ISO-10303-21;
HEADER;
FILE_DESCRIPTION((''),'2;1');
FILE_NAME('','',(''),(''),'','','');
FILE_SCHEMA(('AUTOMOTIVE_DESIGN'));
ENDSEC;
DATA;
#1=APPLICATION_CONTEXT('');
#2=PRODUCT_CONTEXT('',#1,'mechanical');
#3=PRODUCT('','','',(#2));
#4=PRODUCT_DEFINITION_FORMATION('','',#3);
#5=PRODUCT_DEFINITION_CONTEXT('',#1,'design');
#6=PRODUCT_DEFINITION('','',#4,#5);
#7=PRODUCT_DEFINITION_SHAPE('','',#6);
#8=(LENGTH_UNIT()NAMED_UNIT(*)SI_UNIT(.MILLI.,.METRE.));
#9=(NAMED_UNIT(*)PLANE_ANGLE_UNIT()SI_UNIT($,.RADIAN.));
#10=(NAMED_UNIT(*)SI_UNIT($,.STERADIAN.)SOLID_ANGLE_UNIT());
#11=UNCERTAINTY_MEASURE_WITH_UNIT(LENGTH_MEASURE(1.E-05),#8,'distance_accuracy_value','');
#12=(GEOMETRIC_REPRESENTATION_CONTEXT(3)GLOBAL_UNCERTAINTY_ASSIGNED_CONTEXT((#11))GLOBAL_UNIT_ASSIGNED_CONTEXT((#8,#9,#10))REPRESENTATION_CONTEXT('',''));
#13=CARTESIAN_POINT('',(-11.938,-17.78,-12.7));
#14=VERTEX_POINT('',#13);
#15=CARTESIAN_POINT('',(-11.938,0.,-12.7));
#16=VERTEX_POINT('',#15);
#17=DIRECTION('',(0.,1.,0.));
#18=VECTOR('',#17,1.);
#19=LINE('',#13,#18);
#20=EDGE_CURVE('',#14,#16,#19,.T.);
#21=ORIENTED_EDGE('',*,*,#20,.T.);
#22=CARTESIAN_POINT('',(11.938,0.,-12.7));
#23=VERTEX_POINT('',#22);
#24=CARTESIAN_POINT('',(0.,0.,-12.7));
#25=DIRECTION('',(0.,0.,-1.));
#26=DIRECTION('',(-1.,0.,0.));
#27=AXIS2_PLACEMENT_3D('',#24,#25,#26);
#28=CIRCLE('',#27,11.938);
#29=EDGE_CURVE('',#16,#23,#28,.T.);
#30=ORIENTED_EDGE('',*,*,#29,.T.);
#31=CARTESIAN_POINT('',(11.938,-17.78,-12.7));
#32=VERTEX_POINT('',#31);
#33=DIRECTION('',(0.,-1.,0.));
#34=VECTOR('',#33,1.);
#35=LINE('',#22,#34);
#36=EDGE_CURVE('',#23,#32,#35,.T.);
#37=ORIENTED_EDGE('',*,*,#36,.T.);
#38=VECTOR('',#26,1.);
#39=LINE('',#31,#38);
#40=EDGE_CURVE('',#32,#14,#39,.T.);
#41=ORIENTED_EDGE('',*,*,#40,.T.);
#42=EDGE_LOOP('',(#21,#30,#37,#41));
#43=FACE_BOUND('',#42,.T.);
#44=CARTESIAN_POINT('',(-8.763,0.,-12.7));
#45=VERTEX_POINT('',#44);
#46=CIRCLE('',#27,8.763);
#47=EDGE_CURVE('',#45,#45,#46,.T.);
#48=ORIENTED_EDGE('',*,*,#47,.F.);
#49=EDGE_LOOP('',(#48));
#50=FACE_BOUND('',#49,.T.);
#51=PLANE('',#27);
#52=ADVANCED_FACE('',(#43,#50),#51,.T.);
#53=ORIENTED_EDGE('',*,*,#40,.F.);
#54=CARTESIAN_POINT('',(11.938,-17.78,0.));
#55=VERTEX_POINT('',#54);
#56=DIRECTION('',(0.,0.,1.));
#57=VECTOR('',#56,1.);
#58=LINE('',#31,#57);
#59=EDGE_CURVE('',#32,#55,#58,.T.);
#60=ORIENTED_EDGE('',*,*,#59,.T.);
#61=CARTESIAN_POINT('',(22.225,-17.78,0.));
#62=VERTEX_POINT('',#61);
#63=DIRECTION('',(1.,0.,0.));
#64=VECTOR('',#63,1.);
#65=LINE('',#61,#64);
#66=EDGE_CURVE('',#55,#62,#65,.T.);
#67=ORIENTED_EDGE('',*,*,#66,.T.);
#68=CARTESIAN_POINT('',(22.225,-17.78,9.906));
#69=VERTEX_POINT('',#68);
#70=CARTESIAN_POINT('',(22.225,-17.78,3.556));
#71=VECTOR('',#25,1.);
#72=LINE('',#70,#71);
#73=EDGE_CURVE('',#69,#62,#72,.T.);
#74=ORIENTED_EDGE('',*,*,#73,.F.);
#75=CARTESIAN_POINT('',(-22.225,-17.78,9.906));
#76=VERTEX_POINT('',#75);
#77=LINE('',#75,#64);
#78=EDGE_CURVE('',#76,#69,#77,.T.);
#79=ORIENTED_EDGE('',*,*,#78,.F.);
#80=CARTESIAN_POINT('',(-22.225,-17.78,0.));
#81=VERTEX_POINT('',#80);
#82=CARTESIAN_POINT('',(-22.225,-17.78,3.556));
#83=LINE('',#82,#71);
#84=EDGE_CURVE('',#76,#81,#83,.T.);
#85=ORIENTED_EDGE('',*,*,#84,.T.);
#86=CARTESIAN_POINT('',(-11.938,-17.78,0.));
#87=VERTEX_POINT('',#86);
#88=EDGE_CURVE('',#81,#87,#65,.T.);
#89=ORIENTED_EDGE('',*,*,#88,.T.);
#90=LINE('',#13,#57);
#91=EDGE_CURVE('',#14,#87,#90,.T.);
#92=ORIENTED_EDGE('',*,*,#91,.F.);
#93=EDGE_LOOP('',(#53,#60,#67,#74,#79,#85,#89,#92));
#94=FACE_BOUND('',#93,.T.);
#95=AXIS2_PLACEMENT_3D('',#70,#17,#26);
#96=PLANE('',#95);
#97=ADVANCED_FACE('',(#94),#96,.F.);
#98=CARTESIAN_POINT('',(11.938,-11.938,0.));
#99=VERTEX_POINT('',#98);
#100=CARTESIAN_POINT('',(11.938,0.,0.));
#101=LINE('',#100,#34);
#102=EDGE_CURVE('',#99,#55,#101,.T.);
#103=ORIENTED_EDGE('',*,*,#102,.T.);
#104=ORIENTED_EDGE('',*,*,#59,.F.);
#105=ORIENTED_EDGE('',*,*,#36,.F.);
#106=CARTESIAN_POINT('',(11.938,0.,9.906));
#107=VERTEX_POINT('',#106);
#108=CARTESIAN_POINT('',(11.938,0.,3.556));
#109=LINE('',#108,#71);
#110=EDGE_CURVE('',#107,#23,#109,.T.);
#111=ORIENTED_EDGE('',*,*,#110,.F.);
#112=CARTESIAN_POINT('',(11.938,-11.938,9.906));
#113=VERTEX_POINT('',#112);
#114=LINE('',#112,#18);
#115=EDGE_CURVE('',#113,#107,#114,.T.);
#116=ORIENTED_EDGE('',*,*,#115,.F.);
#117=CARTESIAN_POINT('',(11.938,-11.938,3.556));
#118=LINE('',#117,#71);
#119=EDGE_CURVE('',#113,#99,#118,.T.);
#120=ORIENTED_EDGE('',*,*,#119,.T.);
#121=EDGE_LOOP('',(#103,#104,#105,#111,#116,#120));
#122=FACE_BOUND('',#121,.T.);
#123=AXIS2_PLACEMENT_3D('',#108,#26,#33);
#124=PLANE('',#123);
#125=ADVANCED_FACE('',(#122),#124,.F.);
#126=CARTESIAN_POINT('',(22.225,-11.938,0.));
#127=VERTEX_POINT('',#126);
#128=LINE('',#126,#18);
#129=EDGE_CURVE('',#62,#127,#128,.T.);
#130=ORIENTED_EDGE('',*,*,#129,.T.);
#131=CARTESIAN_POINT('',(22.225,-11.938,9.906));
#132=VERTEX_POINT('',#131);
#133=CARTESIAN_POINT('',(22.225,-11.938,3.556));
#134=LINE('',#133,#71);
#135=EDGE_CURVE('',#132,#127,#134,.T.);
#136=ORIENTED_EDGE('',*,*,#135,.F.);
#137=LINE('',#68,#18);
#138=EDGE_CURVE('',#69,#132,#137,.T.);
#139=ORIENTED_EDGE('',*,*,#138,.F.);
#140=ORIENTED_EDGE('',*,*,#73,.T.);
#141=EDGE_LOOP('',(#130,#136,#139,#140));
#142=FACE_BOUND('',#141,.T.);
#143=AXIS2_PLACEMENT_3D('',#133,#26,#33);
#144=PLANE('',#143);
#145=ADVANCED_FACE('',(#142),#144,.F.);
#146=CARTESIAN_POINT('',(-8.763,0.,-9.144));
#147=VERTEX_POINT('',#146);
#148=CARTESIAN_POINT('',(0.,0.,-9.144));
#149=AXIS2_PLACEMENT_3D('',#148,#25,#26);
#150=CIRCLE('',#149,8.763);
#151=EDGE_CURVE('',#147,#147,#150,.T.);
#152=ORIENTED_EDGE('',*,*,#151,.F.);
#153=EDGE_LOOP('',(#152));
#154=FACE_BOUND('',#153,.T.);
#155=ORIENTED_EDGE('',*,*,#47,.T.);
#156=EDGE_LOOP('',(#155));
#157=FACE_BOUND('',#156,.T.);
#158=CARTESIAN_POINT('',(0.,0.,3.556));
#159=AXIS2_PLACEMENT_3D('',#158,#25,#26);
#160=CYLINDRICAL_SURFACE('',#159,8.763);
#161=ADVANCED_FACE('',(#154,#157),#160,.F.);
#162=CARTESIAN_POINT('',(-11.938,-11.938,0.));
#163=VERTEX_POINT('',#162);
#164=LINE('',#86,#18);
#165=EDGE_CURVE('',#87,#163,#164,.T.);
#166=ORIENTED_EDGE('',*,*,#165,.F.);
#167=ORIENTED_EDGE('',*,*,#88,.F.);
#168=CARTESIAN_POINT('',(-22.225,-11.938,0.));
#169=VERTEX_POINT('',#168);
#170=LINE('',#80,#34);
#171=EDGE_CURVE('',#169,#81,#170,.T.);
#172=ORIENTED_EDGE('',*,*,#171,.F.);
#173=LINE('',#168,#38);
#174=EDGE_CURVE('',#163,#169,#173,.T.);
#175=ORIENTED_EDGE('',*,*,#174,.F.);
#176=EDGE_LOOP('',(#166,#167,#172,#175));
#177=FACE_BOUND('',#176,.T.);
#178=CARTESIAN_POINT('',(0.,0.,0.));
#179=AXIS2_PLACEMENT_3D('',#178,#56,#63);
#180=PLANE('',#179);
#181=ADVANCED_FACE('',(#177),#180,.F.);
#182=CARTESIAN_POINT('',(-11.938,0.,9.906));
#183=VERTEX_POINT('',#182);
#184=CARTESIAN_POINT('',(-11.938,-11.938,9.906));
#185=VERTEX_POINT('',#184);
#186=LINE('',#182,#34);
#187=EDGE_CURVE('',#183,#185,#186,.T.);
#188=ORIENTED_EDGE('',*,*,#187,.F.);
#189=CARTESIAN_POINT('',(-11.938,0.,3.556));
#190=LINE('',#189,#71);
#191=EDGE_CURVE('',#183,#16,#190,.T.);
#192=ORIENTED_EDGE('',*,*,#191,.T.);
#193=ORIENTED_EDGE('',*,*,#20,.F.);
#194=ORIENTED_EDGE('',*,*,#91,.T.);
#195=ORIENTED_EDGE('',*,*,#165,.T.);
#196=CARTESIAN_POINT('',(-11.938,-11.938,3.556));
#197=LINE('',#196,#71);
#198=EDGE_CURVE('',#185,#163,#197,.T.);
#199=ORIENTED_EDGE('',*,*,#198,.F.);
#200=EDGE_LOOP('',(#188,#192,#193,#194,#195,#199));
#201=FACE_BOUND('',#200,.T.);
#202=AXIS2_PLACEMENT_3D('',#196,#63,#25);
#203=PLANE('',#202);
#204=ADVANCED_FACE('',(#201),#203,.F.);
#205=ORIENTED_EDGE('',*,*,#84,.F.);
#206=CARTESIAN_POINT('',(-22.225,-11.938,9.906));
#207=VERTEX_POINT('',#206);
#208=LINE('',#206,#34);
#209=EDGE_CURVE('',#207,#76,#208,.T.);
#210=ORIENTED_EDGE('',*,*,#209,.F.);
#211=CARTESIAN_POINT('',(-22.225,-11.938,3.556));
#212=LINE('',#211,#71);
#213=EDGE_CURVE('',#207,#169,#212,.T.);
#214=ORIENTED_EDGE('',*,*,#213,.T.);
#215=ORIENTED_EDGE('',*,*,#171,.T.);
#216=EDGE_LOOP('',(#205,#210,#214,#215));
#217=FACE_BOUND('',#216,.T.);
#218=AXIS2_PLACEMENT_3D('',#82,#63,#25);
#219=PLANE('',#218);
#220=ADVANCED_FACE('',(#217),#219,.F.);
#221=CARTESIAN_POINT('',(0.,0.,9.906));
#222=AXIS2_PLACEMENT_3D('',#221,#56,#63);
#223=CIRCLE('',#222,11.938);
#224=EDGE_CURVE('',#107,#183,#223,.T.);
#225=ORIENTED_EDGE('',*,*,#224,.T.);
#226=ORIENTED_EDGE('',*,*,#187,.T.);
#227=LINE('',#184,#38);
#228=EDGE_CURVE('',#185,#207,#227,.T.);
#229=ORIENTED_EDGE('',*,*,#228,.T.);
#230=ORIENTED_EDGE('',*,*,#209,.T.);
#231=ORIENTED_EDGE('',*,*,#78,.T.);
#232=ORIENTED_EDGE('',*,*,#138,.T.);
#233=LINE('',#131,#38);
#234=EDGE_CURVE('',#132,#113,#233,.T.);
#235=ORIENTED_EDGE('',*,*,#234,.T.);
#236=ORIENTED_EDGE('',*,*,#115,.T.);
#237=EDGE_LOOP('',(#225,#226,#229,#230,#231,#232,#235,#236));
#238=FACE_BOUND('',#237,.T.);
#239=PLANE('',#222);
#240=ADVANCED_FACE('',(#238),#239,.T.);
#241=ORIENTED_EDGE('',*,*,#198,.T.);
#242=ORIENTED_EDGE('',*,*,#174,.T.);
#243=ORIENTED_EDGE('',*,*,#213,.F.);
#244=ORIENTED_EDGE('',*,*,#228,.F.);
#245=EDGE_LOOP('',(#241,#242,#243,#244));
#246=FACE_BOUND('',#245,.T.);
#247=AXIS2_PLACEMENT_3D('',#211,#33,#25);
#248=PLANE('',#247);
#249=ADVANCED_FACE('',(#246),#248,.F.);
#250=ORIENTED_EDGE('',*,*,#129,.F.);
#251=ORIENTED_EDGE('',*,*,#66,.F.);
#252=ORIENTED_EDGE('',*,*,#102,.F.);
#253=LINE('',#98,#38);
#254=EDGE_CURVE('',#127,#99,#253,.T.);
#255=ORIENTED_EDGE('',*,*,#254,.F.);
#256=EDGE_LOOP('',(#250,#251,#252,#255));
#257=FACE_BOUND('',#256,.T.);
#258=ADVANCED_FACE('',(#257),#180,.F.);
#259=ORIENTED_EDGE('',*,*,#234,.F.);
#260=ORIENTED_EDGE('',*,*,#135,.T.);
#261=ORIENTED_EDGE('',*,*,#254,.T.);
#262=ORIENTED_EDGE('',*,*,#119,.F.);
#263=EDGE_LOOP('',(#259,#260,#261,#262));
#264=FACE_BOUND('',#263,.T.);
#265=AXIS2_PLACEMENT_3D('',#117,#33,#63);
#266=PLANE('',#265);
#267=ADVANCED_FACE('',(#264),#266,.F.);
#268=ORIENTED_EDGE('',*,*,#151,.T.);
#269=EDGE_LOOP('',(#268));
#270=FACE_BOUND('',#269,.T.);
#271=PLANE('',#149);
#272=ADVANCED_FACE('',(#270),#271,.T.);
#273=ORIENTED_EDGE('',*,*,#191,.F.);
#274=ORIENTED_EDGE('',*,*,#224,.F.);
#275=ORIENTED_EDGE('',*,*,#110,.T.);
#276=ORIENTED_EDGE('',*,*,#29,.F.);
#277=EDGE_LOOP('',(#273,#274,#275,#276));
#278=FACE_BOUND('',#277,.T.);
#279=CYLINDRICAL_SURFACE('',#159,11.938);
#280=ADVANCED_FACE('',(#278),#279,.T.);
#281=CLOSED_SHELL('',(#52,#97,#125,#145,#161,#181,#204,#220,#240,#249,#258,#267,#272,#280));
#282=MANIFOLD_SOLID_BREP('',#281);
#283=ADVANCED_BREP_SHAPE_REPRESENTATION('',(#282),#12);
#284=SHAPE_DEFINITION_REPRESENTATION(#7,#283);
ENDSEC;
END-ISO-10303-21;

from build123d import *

# Parameters (mm, degrees)
SKETCH1_R           = 8.763
BOSS_EXTRUDE1_DEPTH = 3.556
BOSS_EXTRUDE2_DEPTH = 6.35
BOSS_EXTRUDE3_START = 12.7
SKETCH3_R           = 11.938
SKETCH3_R_2         = 8.763
BOSS_EXTRUDE3_DEPTH = 12.7
BOSS_EXTRUDE4_START = 12.7
SKETCH4_R           = 8.763
BOSS_EXTRUDE4_DEPTH = 12.7
BOSS_EXTRUDE5_START = 12.7
BOSS_EXTRUDE5_DEPTH = 12.7


with BuildPart() as part:
    # Sketch1 → Boss-Extrude1 (new body)
    with BuildSketch(Plane.XY):
        with BuildLine():
            Line((11.938, 0), (11.938, -11.938))
            Line((11.938, -11.938), (22.225, -11.938))
            Line((22.225, -11.938), (22.225, -17.78))
            Line((22.225, -17.78), (-22.225, -17.78))
            Line((-22.225, -17.78), (-22.225, -11.938))
            Line((-22.225, -11.938), (-11.938, -11.938))
            Line((-11.938, -11.938), (-11.938, 0))
            ThreePointArc((-11.938, 0), (0, 11.938), (11.938, 0))
        make_face()
        Circle(SKETCH1_R, mode=Mode.SUBTRACT)
    extrude(amount=BOSS_EXTRUDE1_DEPTH)

    # Sketch2 → Boss-Extrude2 (add)
    with BuildSketch(Plane.XY.offset(3.556)):
        with BuildLine():
            Line((-11.938, 0), (-11.938, -11.938))
            Line((-11.938, -11.938), (-22.225, -11.938))
            Line((-22.225, -11.938), (-22.225, -17.78))
            Line((-22.225, -17.78), (22.225, -17.78))
            Line((22.225, -17.78), (22.225, -11.938))
            Line((22.225, -11.938), (11.938, -11.938))
            Line((11.938, -11.938), (11.938, 0))
            ThreePointArc((11.938, 0), (0, 11.938), (-11.938, 0))
        make_face()
    extrude(amount=BOSS_EXTRUDE2_DEPTH)

    # Sketch3 → Boss-Extrude3 (add)
    with BuildSketch(Plane(origin=(0, 0, 0), x_dir=(-1, 0, 0), z_dir=(0, 0, -1)).offset(BOSS_EXTRUDE3_START)):
        Circle(SKETCH3_R)
        Circle(SKETCH3_R_2, mode=Mode.SUBTRACT)
    extrude(amount=-BOSS_EXTRUDE3_DEPTH)

    # Sketch4 → Boss-Extrude4 (add)
    with BuildSketch(Plane(origin=(0, 0, 3.556), x_dir=(-1, 0, 0), z_dir=(0, 0, -1)).offset(BOSS_EXTRUDE4_START)):
        Circle(SKETCH4_R)
    extrude(amount=-BOSS_EXTRUDE4_DEPTH)

    # Sketch5 → Boss-Extrude5 (add)
    with BuildSketch(Plane(origin=(0, 0, 0), x_dir=(-1, 0, 0), z_dir=(0, 0, -1)).offset(BOSS_EXTRUDE5_START)):
        with BuildLine():
            Line((-11.938, 0), (-11.938, -17.78))
            Line((-11.938, -17.78), (11.938, -17.78))
            Line((11.938, -17.78), (11.938, 0))
            ThreePointArc((11.938, 0), (0, -11.938), (-11.938, 0))
        make_face()
    extrude(amount=-BOSS_EXTRUDE5_DEPTH)


solid = part.part
